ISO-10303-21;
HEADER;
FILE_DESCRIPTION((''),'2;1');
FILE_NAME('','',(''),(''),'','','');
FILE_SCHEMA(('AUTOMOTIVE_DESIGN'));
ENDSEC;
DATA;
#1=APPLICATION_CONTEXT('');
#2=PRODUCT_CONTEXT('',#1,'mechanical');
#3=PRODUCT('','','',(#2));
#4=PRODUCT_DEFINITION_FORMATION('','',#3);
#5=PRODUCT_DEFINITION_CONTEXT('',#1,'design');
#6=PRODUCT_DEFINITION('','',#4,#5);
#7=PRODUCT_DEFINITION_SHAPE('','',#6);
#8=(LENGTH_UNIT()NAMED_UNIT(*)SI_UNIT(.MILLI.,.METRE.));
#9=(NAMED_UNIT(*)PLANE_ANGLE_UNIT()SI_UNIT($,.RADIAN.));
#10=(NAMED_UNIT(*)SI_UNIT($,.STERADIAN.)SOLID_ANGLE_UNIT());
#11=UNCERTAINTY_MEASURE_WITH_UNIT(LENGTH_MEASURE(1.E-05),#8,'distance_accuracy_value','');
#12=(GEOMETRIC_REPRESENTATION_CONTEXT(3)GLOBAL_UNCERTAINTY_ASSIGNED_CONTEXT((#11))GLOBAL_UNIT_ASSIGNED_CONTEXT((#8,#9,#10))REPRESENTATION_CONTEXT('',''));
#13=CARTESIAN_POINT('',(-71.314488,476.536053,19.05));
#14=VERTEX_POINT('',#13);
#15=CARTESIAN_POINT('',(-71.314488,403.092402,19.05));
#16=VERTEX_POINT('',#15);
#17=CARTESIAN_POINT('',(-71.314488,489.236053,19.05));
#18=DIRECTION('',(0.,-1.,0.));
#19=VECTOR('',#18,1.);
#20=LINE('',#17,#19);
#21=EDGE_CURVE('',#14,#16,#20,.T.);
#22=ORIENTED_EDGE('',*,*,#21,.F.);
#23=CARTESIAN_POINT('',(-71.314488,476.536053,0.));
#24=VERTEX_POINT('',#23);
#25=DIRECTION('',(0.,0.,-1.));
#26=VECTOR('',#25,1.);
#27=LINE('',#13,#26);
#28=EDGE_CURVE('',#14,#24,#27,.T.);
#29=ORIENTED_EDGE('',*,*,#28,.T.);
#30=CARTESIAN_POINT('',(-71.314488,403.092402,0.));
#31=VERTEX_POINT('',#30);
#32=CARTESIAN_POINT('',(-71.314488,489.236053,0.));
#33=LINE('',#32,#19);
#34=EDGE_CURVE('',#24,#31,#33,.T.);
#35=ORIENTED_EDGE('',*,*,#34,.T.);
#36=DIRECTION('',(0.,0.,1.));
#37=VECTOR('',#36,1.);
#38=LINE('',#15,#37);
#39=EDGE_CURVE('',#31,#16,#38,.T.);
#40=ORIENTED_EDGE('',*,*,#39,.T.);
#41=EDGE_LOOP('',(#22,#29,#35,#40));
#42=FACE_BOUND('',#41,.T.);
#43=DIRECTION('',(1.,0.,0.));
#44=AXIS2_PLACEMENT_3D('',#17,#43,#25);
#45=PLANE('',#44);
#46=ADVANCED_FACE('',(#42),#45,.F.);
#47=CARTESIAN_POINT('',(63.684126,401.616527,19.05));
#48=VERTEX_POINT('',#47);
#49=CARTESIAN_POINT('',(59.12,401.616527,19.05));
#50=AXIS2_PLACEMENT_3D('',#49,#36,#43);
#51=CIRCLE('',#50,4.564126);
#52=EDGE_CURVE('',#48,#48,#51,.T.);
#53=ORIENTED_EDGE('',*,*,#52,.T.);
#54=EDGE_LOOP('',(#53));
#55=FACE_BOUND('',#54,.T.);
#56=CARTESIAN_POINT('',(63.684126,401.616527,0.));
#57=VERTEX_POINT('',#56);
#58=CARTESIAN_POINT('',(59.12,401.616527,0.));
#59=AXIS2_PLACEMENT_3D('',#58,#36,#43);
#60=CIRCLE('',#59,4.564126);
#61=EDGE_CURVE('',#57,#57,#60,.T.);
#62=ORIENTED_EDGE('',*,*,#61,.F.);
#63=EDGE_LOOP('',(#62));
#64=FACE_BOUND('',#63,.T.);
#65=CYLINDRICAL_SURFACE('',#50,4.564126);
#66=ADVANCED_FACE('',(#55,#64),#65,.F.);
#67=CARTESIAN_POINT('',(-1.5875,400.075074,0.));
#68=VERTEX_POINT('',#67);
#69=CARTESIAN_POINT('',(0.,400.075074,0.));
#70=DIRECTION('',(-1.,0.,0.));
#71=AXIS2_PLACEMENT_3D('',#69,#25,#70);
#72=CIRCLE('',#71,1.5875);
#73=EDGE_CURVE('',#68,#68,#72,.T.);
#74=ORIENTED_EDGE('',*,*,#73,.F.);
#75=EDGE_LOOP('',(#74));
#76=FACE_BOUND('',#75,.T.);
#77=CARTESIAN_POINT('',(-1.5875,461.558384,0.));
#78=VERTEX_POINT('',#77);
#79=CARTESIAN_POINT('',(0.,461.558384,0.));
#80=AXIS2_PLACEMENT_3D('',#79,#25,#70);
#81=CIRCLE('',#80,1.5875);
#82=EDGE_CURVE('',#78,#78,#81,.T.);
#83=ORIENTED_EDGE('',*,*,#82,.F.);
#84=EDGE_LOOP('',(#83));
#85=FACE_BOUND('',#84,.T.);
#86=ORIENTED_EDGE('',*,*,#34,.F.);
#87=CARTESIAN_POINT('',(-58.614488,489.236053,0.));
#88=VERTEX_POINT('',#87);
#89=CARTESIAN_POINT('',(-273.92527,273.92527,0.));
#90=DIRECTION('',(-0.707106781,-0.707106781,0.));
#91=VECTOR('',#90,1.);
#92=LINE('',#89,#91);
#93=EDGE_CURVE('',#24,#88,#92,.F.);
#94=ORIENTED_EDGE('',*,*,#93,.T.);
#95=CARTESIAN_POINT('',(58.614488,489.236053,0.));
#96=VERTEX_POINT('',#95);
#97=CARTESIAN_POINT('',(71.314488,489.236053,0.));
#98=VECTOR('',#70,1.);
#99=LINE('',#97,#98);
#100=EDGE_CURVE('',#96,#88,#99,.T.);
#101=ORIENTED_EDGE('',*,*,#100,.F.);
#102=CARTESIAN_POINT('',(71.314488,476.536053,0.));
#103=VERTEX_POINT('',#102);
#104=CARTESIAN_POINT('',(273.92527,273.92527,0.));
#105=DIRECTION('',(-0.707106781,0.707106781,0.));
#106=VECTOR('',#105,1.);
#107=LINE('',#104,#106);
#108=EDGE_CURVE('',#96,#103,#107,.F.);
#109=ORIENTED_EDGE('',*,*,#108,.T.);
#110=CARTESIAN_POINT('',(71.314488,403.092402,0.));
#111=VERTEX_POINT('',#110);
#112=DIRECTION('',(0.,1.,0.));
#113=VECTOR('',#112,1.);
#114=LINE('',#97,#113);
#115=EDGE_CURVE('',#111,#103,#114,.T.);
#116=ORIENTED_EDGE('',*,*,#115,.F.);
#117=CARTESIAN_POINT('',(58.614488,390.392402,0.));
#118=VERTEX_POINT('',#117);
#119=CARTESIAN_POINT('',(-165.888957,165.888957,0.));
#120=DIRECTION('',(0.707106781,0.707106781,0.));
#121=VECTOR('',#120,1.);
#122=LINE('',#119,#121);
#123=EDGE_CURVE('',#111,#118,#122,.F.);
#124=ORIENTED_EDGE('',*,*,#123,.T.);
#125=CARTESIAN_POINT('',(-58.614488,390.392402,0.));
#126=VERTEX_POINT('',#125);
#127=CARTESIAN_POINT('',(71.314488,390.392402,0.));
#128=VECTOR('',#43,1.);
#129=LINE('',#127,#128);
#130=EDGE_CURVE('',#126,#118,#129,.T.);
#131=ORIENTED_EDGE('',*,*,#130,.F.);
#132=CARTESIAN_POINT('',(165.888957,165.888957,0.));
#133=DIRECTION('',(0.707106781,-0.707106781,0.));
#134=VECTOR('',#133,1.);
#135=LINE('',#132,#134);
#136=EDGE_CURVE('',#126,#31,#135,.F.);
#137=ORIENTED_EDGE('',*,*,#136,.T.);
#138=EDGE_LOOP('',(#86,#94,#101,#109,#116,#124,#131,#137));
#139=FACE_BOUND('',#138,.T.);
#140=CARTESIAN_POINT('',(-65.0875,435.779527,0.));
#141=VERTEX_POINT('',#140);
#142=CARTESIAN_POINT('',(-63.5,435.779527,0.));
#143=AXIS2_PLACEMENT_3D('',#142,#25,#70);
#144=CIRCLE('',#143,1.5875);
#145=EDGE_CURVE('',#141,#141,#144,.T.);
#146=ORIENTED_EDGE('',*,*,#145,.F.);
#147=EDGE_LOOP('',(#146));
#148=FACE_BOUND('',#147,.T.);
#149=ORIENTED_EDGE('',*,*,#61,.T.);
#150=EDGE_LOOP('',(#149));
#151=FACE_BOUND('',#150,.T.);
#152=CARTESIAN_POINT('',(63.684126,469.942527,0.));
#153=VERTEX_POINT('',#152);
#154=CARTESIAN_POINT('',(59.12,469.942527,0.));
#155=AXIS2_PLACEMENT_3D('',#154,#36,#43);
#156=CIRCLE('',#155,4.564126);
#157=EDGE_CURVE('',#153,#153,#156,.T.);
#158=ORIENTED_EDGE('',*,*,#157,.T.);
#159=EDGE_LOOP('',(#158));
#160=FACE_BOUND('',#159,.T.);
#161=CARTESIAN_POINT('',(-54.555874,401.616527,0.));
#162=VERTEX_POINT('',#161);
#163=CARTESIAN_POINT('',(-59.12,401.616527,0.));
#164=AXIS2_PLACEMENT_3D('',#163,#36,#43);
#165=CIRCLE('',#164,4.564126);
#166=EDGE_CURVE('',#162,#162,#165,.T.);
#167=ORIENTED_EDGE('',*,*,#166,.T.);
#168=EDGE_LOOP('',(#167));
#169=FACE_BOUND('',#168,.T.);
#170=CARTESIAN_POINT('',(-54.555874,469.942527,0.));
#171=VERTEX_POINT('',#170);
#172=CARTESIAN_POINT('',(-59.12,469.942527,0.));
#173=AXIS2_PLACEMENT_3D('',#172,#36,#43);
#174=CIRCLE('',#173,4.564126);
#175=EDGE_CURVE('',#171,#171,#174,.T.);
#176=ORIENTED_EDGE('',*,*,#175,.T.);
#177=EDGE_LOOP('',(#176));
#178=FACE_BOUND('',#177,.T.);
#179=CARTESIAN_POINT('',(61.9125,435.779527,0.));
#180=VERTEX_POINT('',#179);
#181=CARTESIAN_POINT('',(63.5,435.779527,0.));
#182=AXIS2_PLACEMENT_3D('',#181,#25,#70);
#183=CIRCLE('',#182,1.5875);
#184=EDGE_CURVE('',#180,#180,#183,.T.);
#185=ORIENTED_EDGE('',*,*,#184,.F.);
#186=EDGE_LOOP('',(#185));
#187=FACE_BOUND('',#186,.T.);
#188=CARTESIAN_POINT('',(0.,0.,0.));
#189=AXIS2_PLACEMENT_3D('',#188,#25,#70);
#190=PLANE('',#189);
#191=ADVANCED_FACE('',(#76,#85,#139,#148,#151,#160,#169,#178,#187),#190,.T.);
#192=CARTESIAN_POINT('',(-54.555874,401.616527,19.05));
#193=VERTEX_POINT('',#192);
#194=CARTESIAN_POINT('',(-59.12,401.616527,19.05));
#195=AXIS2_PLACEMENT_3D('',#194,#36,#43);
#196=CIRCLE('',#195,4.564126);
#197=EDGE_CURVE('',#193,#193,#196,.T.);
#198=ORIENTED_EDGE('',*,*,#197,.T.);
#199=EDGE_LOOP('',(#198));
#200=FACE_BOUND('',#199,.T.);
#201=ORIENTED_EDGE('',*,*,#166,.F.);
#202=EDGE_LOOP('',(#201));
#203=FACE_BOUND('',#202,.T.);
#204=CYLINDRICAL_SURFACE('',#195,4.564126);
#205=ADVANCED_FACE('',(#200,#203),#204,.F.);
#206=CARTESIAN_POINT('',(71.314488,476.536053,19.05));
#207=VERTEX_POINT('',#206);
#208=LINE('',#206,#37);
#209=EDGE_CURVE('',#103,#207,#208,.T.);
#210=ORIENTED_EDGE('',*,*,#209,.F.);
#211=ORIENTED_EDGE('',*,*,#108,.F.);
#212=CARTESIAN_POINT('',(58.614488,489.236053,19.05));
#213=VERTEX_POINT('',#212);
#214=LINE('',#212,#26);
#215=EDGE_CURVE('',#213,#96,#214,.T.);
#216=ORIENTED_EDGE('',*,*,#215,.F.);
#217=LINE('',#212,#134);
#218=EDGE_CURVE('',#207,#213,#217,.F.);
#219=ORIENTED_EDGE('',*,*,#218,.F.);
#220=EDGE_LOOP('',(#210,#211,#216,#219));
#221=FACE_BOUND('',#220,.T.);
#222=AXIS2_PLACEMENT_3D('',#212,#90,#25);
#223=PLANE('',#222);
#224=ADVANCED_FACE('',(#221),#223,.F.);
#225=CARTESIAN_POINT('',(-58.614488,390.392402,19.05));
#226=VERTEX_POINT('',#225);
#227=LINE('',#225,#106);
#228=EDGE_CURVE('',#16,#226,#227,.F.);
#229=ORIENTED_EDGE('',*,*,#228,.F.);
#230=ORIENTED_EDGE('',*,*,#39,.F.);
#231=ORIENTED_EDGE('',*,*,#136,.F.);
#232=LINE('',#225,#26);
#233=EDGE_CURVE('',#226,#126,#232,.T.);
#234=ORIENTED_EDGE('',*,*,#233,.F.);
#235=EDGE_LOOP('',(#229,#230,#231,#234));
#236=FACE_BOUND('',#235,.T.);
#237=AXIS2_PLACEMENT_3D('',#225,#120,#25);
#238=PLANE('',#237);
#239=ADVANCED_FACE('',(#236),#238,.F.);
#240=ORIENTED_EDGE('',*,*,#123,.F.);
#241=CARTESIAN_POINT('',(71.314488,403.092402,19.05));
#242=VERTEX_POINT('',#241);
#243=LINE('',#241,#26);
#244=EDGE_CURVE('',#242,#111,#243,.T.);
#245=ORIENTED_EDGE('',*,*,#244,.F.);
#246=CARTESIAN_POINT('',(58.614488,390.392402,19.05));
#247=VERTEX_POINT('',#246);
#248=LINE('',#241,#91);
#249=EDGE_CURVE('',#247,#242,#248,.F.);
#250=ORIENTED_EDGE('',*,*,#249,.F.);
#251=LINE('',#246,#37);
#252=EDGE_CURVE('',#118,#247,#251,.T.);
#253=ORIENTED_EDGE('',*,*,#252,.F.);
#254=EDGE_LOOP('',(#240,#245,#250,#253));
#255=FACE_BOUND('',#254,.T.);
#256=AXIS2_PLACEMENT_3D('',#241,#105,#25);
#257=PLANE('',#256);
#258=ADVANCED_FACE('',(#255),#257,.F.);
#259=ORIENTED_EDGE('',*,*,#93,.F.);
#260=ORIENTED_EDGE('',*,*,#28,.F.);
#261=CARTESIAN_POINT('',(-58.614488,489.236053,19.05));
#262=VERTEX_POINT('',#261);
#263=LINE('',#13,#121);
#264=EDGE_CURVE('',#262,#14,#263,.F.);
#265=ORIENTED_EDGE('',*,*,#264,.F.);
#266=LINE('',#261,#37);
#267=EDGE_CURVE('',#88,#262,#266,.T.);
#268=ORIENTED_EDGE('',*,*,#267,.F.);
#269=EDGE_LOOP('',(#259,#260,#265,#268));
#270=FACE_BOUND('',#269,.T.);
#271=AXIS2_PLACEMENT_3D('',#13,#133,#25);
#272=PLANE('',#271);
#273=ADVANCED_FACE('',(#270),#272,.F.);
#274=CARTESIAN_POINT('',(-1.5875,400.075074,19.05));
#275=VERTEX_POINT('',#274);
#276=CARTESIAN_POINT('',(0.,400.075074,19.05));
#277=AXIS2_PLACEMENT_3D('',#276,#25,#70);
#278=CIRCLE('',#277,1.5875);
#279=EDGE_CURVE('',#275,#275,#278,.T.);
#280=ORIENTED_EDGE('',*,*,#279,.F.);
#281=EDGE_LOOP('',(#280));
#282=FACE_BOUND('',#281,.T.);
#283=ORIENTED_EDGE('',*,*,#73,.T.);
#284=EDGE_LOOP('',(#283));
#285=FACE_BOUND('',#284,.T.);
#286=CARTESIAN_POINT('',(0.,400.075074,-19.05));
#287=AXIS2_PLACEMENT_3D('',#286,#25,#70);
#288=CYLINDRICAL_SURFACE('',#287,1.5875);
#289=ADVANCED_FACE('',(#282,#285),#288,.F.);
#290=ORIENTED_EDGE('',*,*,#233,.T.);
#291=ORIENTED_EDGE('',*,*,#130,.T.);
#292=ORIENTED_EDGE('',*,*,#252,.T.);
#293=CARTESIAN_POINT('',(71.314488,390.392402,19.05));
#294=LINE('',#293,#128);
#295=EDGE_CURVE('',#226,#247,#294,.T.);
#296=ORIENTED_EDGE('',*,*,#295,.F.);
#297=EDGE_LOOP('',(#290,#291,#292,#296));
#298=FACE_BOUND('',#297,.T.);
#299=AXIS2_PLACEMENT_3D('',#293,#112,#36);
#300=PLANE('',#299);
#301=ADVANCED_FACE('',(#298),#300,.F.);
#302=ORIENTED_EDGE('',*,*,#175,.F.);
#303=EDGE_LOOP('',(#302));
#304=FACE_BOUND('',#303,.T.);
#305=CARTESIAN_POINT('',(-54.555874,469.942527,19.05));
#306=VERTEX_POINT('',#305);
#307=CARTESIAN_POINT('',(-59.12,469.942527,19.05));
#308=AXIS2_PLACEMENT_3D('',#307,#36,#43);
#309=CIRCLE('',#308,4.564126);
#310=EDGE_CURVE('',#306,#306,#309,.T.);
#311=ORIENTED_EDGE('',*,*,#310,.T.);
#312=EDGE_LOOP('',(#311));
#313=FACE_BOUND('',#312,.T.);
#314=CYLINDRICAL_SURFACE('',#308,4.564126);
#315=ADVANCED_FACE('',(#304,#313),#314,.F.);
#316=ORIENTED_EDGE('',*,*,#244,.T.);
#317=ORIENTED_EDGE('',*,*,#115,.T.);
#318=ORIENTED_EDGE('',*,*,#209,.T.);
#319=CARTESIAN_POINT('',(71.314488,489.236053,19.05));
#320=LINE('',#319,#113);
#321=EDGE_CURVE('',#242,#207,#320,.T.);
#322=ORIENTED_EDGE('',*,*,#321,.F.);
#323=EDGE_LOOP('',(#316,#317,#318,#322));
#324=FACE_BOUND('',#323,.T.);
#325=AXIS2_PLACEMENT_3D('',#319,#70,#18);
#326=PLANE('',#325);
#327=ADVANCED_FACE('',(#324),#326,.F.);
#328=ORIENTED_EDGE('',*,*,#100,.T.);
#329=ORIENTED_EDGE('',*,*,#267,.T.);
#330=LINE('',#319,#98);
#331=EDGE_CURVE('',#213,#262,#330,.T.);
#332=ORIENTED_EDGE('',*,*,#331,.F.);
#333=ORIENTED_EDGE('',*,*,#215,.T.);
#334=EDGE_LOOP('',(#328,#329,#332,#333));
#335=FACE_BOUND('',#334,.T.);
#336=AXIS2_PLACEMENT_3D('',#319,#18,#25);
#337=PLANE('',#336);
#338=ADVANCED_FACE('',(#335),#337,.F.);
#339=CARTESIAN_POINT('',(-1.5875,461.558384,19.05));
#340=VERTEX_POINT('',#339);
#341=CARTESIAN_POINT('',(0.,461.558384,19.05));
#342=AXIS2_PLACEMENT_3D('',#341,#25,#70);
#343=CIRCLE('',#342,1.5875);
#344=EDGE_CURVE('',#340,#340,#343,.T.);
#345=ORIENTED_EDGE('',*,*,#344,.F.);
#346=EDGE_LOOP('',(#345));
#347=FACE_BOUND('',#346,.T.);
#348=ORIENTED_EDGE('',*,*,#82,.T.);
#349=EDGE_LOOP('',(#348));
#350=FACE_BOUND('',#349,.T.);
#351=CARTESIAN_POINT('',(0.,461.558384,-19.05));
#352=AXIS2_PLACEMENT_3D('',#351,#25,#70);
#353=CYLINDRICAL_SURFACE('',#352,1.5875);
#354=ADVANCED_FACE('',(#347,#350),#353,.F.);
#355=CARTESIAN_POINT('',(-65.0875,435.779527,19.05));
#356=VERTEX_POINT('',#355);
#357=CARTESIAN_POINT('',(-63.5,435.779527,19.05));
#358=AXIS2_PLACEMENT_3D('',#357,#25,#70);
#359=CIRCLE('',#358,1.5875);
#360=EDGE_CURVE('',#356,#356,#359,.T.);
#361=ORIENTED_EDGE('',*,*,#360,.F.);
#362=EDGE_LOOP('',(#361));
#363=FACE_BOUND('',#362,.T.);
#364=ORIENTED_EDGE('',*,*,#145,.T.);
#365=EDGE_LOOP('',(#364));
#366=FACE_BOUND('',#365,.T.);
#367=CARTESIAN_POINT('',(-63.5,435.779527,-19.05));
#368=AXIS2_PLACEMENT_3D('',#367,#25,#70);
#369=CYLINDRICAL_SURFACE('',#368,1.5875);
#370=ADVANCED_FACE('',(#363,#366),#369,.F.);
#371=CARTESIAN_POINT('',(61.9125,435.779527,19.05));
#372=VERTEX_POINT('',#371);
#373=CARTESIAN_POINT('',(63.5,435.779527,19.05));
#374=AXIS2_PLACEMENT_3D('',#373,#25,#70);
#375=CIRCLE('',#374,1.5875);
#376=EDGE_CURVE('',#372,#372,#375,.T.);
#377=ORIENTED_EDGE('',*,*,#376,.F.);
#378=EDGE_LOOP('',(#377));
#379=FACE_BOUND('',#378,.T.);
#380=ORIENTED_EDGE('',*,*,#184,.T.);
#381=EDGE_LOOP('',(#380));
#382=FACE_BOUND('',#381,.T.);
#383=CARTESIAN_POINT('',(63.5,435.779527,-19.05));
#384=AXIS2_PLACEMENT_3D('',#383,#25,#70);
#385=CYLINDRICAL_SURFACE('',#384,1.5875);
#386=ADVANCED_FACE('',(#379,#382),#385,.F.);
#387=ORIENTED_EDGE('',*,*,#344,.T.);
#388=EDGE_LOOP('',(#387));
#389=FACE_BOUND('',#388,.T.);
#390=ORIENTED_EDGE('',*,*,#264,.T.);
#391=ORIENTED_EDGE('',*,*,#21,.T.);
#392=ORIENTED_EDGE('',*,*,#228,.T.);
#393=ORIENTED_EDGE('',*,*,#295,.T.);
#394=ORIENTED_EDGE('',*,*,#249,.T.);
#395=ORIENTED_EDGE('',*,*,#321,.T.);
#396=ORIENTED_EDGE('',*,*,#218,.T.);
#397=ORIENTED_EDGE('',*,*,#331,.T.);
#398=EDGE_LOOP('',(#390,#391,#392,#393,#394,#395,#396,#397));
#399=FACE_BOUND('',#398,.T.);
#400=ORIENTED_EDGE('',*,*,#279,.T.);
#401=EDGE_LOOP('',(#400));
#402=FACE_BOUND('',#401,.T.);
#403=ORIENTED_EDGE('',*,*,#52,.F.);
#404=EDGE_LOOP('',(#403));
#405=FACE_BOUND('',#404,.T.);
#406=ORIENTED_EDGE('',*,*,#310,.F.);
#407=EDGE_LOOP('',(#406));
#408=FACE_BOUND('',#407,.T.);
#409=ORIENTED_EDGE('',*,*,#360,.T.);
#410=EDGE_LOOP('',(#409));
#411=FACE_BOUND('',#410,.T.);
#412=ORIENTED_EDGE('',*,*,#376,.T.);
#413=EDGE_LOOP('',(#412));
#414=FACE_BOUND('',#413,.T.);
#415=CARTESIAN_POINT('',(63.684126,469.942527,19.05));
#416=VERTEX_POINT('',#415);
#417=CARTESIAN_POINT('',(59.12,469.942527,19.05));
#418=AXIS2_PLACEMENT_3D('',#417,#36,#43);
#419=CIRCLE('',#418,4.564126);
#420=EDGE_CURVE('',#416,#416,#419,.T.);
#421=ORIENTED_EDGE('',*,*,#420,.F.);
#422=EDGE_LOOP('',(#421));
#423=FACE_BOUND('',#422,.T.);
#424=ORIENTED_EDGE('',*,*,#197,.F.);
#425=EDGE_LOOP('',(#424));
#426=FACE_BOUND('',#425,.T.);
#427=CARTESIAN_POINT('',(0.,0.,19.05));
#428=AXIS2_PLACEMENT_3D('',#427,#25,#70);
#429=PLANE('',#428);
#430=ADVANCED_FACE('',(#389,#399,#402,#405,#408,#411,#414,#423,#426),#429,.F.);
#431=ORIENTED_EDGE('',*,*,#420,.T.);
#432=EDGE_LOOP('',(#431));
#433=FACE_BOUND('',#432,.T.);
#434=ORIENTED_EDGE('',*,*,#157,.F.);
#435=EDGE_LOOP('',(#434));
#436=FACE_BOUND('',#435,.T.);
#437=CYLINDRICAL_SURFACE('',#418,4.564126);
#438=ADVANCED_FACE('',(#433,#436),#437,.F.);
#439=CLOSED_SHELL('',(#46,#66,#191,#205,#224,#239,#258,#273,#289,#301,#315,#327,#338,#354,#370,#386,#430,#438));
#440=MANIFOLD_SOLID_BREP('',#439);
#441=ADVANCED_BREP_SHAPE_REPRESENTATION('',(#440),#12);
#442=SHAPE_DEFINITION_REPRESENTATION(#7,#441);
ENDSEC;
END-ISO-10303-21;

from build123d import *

# Parameters (mm, degrees)
SKETCH1_W                        = 142.628975504
SKETCH1_H                        = 98.843650928
BOSS_EXTRUDE1_DEPTH              = 19.05
CHAMFER1_SIZE                    = 12.7
F_23_64_0_35938_DIAMETER_HOLE1_D = 9.128252
HOLE1_D                          = 3.175
HOLE1_DEPTH                      = 44.45
HOLE1_CSINK_D                    = 10.16
HOLE1_CSINK_ANGLE                = 82
HOLE1_TIP                        = 0.953866233


with BuildPart() as part:
    # Sketch1 → Boss-Extrude1 (new body)
    with BuildSketch(Plane.XY):
        with Locations((0, 439.814227158)):
            Rectangle(SKETCH1_W, SKETCH1_H)
    extrude(amount=BOSS_EXTRUDE1_DEPTH)

    # Chamfer1
    chamfer1_edges = [part.edges().sort_by_distance(p)[0] for p in [
        (71.314487752, 390.392401694, 9.525),
        (-71.314487752, 390.392401694, 9.525),
        (-71.314487752, 489.236052622, 9.525),
        (71.314487752, 489.236052622, 9.525),
    ]]
    chamfer(chamfer1_edges, length=CHAMFER1_SIZE)

    # 23/64 (0.35938) Diameter Hole1 (through all)
    with Locations(Plane.XY.offset(19.05)):
        with Locations((-59.12, 469.942526688), (59.12, 469.942526688), (59.12, 401.616526688), (-59.12, 401.616526688)):
            Hole(F_23_64_0_35938_DIAMETER_HOLE1_D / 2)

    # Hole1
    with Locations(Plane(origin=(0, 0, -19.05), x_dir=(-1, 0, 0), z_dir=(0, 0, -1))):
        with Locations((63.5, 435.779526688), (-63.5, 435.779526688), (0, 461.558384256), (0, 400.075074406)):
            CounterSinkHole(HOLE1_D / 2, HOLE1_CSINK_D / 2, depth=HOLE1_DEPTH, counter_sink_angle=HOLE1_CSINK_ANGLE)
            with Locations((0, 0, -(HOLE1_DEPTH + HOLE1_TIP / 2))):  # 118° drill point
                Cone(0, HOLE1_D / 2, HOLE1_TIP, mode=Mode.SUBTRACT)


solid = part.part
